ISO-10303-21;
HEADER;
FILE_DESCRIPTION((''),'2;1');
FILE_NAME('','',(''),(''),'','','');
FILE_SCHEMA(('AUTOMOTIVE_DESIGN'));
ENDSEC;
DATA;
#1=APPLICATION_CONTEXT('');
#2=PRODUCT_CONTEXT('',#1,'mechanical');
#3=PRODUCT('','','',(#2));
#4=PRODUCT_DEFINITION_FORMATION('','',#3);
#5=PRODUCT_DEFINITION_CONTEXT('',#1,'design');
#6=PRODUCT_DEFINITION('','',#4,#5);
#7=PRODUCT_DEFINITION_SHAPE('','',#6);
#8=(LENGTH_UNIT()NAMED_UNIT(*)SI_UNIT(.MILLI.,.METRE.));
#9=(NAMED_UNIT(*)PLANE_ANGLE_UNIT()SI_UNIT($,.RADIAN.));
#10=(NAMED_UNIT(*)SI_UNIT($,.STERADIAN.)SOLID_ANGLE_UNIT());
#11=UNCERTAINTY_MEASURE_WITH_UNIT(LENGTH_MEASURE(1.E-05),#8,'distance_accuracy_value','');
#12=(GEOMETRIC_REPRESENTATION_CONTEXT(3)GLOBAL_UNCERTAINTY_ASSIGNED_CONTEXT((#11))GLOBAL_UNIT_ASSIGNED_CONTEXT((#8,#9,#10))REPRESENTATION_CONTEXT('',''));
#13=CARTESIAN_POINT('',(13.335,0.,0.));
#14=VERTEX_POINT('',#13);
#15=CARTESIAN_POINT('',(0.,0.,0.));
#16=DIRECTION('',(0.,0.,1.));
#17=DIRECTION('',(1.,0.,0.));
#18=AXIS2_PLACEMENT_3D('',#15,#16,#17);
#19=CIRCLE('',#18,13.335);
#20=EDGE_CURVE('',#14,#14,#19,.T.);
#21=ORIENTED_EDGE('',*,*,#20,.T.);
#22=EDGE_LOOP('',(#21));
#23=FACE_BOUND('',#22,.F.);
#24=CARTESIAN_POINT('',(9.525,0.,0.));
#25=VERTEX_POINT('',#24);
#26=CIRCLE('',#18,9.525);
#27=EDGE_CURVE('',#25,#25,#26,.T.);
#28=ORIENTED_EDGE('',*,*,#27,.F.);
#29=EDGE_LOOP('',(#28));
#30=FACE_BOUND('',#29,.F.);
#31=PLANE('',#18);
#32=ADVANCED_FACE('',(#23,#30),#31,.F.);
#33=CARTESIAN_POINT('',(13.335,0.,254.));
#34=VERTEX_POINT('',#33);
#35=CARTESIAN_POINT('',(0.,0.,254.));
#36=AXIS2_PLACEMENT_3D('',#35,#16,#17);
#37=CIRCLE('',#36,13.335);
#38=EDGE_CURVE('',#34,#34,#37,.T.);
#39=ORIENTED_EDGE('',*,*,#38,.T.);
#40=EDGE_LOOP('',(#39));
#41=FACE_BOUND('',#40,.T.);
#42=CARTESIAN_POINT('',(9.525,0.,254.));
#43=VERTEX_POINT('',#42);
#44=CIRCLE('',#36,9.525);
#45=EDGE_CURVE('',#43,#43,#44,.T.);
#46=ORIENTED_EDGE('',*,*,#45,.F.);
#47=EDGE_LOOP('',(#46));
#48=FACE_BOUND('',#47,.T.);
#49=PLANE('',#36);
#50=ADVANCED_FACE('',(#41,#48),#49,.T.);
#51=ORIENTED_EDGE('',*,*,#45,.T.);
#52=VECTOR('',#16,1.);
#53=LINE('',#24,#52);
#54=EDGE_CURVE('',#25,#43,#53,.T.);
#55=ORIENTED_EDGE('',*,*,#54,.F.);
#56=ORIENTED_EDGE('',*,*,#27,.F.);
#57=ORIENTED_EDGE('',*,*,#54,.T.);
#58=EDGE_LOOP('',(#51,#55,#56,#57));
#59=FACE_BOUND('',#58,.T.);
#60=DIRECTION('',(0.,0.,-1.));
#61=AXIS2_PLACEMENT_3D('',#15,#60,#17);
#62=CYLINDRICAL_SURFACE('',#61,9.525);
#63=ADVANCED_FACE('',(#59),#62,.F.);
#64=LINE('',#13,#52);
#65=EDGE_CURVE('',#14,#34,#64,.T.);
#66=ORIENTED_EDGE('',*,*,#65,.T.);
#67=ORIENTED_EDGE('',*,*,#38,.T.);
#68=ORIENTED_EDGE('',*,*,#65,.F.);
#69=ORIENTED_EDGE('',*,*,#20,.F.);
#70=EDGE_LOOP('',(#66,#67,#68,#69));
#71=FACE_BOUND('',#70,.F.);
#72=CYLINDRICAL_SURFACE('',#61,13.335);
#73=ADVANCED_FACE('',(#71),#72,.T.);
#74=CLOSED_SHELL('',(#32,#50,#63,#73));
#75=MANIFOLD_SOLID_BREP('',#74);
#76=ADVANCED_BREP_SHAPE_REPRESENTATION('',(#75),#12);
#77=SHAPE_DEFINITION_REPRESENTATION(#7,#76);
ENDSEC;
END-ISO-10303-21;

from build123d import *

# Parameters (mm, degrees)
CYLINDER001_R     = 9.525
CYLINDER001_DEPTH = 254
CYLINDER_R        = 13.335
CYLINDER_DEPTH    = 254


with BuildPart() as f_0_75_id:
    # Cylinder001 → Cylinder001 (new body)
    with BuildSketch(Plane.XY):
        Circle(CYLINDER001_R)
    extrude(amount=CYLINDER001_DEPTH)


with BuildPart() as f_0_75in_x_10in_npt_pipe:
    # Cylinder → Cylinder (new body)
    with BuildSketch(Plane.XY):
        Circle(CYLINDER_R)
    extrude(amount=CYLINDER_DEPTH)

    # Cut: cut 0.75 ID
    add(f_0_75_id.part, mode=Mode.SUBTRACT)


solid = f_0_75in_x_10in_npt_pipe.part
